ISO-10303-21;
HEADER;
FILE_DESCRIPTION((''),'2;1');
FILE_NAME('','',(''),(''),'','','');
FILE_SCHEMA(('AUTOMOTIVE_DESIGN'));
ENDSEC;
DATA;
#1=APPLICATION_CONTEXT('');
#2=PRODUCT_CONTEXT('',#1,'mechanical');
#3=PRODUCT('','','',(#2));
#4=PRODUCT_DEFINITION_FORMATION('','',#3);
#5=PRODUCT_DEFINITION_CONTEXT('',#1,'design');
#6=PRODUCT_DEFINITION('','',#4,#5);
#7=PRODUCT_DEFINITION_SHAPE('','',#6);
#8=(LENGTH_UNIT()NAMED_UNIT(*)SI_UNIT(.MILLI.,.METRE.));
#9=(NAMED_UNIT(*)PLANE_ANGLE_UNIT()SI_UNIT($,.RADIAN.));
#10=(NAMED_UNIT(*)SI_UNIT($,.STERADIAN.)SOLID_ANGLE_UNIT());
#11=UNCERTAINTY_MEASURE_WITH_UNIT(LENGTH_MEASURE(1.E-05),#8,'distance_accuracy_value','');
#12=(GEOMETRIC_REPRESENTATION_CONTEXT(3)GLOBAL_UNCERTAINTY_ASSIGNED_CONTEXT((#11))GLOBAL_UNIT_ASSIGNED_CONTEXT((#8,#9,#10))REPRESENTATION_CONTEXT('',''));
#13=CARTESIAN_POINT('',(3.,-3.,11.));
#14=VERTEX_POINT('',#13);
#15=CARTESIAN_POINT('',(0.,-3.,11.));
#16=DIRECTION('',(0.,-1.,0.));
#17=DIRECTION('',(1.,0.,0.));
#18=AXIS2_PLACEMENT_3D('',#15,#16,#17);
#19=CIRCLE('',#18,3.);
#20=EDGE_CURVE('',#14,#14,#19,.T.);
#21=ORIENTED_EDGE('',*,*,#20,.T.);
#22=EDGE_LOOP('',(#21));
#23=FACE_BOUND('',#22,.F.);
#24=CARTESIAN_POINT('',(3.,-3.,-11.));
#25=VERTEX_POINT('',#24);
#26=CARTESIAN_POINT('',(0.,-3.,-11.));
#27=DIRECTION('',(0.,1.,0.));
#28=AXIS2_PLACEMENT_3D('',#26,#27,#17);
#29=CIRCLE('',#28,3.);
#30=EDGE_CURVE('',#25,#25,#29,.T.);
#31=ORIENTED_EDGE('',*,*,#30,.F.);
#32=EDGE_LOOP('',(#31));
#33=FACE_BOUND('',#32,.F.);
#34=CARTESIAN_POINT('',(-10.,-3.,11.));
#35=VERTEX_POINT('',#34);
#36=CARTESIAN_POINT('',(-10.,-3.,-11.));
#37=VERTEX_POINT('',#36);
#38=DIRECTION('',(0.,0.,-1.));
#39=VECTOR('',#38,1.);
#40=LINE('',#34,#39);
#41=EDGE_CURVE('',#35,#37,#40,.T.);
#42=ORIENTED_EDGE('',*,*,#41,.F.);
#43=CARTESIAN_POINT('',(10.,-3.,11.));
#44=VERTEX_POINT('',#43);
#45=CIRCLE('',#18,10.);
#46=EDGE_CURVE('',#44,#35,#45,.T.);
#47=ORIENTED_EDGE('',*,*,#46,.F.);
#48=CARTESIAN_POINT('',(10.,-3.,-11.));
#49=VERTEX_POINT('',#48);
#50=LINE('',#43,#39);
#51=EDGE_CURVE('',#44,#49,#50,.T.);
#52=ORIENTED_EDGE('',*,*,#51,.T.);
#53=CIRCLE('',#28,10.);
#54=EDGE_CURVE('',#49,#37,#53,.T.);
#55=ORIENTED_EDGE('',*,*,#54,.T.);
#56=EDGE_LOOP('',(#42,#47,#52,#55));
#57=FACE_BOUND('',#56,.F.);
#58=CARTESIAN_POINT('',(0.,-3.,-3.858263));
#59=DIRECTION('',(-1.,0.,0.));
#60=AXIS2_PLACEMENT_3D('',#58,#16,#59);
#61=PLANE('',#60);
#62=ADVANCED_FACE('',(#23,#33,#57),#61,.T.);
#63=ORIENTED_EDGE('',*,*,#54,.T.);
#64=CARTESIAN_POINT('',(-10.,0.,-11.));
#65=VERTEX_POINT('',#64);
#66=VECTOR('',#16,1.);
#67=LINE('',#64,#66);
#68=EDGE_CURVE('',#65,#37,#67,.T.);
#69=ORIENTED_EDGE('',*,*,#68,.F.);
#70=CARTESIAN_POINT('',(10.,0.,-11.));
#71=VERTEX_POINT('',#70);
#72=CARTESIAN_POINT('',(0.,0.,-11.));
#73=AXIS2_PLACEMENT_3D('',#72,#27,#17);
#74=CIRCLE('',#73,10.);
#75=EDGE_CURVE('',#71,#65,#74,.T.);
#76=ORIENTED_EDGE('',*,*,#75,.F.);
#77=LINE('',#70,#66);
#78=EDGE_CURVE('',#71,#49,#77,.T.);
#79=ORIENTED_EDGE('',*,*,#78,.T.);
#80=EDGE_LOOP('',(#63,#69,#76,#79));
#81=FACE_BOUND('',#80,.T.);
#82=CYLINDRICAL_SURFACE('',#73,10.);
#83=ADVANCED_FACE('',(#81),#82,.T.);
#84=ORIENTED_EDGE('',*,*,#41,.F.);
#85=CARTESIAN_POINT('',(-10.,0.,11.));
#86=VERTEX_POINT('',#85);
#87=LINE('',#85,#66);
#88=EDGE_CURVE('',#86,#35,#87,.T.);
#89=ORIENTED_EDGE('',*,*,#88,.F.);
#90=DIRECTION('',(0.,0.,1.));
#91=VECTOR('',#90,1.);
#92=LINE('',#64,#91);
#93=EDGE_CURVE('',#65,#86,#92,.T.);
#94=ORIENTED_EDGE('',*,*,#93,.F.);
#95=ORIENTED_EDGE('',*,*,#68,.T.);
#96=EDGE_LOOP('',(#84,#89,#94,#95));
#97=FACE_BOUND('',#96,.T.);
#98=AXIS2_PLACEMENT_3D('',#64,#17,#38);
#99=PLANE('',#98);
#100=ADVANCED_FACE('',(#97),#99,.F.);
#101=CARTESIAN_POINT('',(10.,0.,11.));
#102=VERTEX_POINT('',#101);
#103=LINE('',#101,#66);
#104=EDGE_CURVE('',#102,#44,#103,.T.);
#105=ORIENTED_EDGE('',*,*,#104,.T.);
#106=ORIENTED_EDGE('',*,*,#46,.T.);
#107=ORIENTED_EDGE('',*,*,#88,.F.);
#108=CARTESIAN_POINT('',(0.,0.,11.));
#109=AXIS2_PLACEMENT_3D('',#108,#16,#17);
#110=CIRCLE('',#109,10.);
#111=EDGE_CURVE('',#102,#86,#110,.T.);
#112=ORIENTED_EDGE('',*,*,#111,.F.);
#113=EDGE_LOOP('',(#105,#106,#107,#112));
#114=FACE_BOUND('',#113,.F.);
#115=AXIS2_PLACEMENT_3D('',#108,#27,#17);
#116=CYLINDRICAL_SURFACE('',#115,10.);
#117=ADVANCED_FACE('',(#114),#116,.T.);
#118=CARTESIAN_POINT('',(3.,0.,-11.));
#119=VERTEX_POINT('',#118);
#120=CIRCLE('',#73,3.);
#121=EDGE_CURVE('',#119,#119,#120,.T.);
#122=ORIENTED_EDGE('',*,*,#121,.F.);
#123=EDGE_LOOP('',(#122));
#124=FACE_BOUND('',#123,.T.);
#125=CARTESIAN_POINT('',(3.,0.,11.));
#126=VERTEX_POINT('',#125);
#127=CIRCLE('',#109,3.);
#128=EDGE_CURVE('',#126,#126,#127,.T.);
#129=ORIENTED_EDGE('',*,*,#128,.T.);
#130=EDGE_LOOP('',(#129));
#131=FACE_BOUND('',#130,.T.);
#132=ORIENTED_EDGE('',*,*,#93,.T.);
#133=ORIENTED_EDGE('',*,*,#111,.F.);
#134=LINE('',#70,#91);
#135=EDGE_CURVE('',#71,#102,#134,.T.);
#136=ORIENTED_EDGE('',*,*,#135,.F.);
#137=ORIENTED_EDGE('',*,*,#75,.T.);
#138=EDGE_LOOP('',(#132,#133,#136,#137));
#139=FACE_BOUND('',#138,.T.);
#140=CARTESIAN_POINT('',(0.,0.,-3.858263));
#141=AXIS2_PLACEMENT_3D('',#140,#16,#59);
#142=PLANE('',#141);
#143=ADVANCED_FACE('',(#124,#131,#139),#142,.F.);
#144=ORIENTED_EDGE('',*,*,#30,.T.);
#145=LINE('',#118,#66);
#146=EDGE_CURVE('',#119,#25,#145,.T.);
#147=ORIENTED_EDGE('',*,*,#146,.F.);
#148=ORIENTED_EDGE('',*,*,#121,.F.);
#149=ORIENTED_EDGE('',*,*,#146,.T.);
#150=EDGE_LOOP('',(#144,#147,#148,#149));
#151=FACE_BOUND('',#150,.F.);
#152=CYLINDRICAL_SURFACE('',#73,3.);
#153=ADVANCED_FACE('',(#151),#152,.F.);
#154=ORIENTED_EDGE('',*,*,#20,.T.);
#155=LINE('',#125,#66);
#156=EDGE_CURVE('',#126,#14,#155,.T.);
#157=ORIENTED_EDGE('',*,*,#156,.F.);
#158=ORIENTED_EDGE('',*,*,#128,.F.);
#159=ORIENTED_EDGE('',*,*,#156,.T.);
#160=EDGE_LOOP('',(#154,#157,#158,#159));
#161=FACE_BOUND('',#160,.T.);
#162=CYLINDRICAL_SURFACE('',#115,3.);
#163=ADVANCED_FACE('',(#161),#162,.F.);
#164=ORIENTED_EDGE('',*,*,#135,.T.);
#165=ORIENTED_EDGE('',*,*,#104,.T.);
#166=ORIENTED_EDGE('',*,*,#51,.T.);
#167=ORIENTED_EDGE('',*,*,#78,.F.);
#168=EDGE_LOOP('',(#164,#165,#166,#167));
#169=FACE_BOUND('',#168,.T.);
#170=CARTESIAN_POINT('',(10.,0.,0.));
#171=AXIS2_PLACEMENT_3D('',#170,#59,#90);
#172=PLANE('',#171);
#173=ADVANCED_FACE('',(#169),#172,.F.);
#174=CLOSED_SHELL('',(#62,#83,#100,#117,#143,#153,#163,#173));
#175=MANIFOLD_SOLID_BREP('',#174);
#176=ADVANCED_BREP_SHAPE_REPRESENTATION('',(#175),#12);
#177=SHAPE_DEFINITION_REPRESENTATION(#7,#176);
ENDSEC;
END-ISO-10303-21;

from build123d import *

# Parameters (mm, degrees)
F0_R     = 3
F1_DEPTH = 3


with BuildPart() as f1:
    # F0 (on Front) → F1 (new body)
    with BuildSketch(Plane.XZ):
        with BuildLine():
            Line((10, 0), (10, 11))
            ThreePointArc((10, 11), (0, 1), (-10, 11))
            Line((-10, 11), (-10, 0))
            Line((-10, 0), (10, 0))
        make_face()
        with BuildLine():
            ThreePointArc((-10, 11), (0, 1), (10, 11))
            ThreePointArc((10, 11), (0, 21), (-10, 11))
        make_face()
        with Locations((0, 11)):
            Circle(F0_R, mode=Mode.SUBTRACT)
    extrude(amount=F1_DEPTH)

    # F2: F1 across face


with BuildPart() as f1_1:
    add(f1.part)
    add(f1.part.mirror(Plane(origin=(0, -1.5, 0), x_dir=(1, 0, 0), z_dir=(0, 0, -1))))


solid = f1_1.part
